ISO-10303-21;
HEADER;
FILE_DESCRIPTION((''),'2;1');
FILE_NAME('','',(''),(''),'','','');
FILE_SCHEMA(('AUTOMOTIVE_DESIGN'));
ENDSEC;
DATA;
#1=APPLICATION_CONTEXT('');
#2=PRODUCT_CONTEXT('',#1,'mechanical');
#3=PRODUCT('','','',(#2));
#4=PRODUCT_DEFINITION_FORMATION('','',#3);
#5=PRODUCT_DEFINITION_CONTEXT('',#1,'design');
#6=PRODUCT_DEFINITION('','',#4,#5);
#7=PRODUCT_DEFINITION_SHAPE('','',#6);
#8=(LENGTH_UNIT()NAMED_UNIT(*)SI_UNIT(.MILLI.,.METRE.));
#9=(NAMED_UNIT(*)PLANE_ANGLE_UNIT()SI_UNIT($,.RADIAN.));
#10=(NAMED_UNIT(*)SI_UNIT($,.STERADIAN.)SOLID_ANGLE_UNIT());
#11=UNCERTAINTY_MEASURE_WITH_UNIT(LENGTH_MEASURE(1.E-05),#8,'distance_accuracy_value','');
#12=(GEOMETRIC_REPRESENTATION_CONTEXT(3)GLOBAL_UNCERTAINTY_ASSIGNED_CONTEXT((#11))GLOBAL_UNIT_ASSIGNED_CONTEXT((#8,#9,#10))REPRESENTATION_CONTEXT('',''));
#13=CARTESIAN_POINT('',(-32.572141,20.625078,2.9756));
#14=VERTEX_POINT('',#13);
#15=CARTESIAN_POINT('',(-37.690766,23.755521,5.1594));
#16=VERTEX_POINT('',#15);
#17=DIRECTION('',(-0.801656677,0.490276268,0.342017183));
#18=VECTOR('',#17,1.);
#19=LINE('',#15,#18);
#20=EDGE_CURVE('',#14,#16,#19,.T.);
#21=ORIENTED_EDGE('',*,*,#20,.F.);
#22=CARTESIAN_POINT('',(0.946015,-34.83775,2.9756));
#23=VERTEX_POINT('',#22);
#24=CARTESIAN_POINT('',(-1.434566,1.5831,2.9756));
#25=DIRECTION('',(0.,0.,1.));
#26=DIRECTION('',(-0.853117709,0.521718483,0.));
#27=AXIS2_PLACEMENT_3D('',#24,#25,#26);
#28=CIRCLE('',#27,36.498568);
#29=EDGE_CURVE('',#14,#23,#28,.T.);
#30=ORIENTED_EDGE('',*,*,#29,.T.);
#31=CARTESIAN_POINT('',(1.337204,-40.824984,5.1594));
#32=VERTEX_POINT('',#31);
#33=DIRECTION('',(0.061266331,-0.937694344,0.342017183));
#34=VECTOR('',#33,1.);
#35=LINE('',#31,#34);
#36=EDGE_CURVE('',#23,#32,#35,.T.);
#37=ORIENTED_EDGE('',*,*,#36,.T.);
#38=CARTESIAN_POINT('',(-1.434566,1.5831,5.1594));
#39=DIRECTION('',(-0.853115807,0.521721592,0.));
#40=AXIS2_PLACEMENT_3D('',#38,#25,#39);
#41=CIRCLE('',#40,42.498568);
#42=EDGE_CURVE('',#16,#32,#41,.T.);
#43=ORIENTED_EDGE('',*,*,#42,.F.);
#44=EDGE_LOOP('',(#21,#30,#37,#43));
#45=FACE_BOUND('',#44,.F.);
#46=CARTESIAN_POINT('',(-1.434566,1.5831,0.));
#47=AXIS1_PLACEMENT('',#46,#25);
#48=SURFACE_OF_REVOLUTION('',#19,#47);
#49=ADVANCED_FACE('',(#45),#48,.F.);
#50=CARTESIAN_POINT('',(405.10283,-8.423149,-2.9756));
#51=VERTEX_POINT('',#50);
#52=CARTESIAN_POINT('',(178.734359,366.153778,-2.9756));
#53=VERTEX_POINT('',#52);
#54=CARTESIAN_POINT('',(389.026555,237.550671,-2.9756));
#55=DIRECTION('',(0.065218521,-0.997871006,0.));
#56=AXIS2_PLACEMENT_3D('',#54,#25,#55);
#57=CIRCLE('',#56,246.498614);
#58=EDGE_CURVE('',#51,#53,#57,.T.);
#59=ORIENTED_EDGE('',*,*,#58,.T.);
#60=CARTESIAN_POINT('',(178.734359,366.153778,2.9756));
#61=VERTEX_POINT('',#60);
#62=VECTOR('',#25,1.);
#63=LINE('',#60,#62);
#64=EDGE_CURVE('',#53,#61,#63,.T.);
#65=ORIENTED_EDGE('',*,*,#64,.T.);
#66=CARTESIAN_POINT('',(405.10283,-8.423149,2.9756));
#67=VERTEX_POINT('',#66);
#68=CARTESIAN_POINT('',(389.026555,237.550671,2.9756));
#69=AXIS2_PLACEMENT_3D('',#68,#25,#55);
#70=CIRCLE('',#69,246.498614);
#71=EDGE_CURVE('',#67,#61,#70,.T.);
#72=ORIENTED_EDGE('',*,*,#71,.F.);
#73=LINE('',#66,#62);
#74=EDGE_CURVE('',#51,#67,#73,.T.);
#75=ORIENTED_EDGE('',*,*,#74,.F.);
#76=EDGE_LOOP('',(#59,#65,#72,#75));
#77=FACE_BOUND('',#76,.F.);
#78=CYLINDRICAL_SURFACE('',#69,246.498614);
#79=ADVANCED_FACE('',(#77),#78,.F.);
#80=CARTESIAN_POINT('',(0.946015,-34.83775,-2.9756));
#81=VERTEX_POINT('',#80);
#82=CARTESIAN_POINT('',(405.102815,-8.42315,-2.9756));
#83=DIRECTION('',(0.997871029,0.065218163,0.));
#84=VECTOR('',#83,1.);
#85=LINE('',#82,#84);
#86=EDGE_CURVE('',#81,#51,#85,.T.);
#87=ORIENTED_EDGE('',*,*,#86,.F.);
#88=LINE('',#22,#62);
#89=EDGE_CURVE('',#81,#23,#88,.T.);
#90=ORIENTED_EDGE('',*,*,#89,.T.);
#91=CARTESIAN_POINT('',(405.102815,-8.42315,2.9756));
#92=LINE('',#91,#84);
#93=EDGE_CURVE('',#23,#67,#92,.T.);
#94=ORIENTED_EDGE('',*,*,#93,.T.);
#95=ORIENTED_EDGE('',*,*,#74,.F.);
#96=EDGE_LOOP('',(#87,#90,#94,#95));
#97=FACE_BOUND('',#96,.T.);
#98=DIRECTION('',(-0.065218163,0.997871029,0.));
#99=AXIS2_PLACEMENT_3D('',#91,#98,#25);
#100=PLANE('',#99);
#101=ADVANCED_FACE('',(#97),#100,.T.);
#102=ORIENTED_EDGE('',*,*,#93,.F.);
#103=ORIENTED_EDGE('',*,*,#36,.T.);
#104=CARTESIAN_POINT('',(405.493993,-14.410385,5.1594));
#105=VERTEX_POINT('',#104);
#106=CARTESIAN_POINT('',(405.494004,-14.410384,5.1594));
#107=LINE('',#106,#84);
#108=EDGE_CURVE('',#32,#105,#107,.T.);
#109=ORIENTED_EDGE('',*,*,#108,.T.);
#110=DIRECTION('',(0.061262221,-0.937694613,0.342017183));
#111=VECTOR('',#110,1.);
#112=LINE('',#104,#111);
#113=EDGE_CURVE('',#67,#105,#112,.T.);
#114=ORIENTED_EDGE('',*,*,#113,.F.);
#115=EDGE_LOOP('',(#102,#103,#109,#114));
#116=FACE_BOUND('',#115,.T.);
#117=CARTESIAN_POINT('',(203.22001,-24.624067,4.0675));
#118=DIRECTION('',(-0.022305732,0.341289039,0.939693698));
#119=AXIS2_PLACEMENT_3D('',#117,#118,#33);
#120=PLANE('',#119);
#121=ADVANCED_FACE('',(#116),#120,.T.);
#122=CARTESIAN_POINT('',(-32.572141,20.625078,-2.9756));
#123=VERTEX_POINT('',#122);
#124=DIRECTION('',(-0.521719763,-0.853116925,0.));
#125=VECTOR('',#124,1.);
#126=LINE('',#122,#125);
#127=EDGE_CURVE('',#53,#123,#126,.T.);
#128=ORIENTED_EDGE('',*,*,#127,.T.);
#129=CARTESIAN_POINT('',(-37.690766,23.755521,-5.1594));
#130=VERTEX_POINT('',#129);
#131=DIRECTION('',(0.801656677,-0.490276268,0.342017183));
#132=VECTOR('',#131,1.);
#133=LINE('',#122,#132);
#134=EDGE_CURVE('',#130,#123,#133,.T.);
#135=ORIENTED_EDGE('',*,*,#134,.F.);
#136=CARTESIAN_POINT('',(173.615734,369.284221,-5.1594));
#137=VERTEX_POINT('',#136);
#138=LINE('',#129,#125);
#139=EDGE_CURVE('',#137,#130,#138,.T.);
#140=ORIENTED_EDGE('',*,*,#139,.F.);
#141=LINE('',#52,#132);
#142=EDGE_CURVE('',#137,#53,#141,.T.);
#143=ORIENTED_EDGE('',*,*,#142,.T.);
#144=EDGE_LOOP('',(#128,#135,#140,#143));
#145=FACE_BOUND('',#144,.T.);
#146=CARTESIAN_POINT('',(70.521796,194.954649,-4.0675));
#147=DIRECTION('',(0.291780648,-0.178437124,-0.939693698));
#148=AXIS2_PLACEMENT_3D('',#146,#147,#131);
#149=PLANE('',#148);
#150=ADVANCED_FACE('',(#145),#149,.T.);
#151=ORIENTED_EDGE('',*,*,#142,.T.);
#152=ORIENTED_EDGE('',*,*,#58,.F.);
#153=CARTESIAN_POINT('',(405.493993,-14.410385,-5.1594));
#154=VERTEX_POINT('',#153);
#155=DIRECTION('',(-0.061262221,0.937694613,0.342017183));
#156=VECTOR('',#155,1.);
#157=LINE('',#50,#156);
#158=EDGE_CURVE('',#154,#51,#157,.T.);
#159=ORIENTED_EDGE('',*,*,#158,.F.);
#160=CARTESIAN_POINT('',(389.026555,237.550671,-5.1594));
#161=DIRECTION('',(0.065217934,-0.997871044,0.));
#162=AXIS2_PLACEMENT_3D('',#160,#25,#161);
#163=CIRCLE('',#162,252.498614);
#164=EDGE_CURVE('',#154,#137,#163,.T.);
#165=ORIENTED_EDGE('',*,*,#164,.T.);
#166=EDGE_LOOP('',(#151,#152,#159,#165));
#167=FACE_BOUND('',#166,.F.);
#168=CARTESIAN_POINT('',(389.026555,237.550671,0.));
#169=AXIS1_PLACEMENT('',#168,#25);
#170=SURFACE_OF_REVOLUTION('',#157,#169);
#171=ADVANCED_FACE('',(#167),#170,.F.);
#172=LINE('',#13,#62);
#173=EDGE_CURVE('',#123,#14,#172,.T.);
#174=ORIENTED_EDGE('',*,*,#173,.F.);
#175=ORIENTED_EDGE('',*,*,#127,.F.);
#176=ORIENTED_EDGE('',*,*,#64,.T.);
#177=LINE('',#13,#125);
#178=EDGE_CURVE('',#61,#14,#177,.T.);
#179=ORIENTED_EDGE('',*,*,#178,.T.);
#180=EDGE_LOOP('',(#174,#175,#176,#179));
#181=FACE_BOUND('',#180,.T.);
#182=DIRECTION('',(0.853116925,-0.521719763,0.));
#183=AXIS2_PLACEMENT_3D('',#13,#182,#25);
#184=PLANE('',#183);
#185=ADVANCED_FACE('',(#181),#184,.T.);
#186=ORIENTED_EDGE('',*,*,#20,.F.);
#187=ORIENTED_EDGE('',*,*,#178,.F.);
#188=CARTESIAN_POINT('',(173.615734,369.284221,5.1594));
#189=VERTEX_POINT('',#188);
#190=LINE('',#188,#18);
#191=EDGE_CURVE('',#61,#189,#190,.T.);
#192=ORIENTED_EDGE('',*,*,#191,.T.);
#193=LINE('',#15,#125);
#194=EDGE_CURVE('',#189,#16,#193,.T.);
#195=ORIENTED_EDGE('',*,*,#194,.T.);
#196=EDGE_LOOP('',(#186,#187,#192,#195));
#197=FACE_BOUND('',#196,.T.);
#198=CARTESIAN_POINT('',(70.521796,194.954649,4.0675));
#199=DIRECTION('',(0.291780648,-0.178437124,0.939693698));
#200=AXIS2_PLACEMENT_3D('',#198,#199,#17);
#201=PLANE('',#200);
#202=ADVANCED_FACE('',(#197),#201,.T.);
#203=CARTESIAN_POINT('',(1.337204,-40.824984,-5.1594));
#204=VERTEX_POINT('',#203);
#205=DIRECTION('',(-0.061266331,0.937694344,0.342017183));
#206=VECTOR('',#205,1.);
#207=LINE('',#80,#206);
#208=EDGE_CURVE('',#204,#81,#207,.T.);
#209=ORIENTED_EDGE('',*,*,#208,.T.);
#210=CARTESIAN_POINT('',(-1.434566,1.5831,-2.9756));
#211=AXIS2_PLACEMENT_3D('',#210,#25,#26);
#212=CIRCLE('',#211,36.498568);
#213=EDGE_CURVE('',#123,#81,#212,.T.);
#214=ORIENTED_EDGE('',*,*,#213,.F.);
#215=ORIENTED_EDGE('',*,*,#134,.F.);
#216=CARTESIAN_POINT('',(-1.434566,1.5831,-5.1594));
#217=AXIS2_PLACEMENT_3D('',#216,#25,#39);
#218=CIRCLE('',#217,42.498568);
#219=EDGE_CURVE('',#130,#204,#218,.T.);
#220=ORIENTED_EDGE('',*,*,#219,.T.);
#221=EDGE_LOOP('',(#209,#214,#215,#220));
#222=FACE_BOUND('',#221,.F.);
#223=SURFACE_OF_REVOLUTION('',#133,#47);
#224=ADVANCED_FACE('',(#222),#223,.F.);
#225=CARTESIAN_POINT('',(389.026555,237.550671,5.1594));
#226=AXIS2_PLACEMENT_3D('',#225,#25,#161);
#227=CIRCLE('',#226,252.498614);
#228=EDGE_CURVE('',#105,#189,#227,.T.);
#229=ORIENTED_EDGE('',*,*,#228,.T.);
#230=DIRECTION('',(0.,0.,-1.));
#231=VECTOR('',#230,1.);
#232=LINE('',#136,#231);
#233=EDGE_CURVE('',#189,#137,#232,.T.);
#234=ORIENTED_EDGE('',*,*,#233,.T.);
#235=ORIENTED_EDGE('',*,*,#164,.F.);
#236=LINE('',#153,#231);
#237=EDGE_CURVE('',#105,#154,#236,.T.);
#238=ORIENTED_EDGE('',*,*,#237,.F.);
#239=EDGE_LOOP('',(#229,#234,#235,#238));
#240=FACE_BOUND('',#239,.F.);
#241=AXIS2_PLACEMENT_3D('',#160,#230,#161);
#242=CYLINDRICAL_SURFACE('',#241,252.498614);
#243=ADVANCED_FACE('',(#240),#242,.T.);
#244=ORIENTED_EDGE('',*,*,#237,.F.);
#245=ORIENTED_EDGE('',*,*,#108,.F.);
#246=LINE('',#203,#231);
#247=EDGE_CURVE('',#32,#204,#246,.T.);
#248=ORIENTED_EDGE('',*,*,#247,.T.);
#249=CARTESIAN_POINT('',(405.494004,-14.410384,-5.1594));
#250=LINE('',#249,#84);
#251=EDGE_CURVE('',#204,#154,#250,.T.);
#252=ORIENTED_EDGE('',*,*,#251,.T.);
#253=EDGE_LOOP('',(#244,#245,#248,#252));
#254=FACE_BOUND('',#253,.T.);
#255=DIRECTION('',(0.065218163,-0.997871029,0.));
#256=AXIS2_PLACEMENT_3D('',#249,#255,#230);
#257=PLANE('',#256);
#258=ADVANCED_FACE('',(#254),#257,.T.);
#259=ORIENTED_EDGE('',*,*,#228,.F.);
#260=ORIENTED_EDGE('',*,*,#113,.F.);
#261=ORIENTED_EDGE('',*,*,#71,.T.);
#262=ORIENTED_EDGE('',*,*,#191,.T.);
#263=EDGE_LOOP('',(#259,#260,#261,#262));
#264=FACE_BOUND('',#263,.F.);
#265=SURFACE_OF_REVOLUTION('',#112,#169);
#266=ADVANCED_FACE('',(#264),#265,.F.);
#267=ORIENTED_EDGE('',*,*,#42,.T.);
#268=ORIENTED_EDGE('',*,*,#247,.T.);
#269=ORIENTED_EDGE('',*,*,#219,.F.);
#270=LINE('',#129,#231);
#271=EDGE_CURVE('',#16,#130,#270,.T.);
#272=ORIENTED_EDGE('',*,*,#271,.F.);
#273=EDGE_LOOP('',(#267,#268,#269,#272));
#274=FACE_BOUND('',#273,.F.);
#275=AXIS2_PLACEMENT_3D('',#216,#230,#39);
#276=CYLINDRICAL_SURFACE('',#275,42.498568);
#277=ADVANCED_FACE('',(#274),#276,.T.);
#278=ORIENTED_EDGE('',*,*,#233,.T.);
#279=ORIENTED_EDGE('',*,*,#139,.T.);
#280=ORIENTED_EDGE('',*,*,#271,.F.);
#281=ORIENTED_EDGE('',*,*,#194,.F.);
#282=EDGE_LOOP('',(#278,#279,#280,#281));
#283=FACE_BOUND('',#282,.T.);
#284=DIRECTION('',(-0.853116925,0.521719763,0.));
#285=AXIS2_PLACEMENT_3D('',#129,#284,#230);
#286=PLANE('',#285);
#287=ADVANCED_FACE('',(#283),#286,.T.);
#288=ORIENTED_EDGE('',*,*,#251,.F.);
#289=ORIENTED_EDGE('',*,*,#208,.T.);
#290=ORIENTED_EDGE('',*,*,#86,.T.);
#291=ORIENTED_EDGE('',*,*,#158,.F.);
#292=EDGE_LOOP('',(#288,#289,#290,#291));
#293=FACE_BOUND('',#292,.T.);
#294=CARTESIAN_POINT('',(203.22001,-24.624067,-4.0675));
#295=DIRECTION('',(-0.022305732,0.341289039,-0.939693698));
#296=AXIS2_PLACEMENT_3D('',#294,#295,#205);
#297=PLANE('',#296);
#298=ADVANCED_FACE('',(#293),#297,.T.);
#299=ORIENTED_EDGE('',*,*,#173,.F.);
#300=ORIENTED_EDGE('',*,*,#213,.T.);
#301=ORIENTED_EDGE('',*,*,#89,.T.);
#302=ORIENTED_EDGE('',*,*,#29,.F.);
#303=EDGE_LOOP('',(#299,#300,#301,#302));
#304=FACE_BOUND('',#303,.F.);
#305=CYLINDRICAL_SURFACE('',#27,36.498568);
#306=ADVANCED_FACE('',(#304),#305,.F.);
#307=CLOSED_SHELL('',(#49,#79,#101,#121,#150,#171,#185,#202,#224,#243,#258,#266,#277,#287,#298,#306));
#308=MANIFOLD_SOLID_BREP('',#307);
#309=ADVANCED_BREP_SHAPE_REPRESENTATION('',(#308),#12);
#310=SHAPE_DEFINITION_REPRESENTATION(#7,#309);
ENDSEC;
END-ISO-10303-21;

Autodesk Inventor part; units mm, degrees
ref_plane "YZ Plane" through (0, 0, 0) normal (1, 0, 0) x (0, 1, 0)
ref_plane "XZ Plane" through (0, 0, 0) normal (0, 1, 0) x (-1, 0, 0)
sketch "Sketch Path" plane through (0, 0, 0) normal (0, 0, 1) x (1, 0, 0)
  arc A0 (-35.5592, 22.4519) -> (1.1743, -38.3317) centre (-1.4345, 1.5831) ccw
  arc A1 (405.3311, -11.9171) -> (175.7473, 367.9806) centre (389.0265, 237.5507) ccw
  line L0 (405.3311, -11.9171) -> (1.1743, -38.3317)
  line L1 (-35.5592, 22.4519) -> (175.7473, 367.9806)
ref_plane "Cross Section Plane" through (1.1743, -38.3317, 0) normal (0.9979, 0.0652, 0) x (0, 0, 1)
sketch "Cross Section" plane through (1.1743, -38.3317, 0) normal (0.9979, 0.0652, 0) x (0, 0, 1)
  line L0 (0, 2.4986) -> (0, -3.5014) construction
  line L1 (-4.25, 0) -> (4.25, 0) construction
  line L2 (-5.1594, 2.4986) -> (5.1594, 2.4986)
  line L3 (5.1594, 2.4986) -> (2.9756, -3.5014)
  line L4 (2.9756, -3.5014) -> (-2.9756, -3.5014)
  line L5 (-2.9756, -3.5014) -> (-5.1594, 2.4986)
  point P0 (0, 0)
  point P1 (0, 0)
  point P2 (0, 0)
  dimension "d0" = 8.5
  dimension "d1" = 2.4986
  dimension "d2" = 40
  dimension "d3" = 6
sweep "Belt" add profiles "Cross Section" path "Sketch Path"
equation "\"d0\" = da_Bw"
equation "\"d1\" = da_Hw"
equation "\"d2\" = da_Alfa"
equation "\"d3\" = da_H"
equation "\"da_Alfa\" = 40deg"
equation "\"da_H\" = 6"
equation "\"da_Bw\" = 8.5"
equation "\"da_Hw\" = 2.49859"
properties part number "V-Belt" material "Rubber"
